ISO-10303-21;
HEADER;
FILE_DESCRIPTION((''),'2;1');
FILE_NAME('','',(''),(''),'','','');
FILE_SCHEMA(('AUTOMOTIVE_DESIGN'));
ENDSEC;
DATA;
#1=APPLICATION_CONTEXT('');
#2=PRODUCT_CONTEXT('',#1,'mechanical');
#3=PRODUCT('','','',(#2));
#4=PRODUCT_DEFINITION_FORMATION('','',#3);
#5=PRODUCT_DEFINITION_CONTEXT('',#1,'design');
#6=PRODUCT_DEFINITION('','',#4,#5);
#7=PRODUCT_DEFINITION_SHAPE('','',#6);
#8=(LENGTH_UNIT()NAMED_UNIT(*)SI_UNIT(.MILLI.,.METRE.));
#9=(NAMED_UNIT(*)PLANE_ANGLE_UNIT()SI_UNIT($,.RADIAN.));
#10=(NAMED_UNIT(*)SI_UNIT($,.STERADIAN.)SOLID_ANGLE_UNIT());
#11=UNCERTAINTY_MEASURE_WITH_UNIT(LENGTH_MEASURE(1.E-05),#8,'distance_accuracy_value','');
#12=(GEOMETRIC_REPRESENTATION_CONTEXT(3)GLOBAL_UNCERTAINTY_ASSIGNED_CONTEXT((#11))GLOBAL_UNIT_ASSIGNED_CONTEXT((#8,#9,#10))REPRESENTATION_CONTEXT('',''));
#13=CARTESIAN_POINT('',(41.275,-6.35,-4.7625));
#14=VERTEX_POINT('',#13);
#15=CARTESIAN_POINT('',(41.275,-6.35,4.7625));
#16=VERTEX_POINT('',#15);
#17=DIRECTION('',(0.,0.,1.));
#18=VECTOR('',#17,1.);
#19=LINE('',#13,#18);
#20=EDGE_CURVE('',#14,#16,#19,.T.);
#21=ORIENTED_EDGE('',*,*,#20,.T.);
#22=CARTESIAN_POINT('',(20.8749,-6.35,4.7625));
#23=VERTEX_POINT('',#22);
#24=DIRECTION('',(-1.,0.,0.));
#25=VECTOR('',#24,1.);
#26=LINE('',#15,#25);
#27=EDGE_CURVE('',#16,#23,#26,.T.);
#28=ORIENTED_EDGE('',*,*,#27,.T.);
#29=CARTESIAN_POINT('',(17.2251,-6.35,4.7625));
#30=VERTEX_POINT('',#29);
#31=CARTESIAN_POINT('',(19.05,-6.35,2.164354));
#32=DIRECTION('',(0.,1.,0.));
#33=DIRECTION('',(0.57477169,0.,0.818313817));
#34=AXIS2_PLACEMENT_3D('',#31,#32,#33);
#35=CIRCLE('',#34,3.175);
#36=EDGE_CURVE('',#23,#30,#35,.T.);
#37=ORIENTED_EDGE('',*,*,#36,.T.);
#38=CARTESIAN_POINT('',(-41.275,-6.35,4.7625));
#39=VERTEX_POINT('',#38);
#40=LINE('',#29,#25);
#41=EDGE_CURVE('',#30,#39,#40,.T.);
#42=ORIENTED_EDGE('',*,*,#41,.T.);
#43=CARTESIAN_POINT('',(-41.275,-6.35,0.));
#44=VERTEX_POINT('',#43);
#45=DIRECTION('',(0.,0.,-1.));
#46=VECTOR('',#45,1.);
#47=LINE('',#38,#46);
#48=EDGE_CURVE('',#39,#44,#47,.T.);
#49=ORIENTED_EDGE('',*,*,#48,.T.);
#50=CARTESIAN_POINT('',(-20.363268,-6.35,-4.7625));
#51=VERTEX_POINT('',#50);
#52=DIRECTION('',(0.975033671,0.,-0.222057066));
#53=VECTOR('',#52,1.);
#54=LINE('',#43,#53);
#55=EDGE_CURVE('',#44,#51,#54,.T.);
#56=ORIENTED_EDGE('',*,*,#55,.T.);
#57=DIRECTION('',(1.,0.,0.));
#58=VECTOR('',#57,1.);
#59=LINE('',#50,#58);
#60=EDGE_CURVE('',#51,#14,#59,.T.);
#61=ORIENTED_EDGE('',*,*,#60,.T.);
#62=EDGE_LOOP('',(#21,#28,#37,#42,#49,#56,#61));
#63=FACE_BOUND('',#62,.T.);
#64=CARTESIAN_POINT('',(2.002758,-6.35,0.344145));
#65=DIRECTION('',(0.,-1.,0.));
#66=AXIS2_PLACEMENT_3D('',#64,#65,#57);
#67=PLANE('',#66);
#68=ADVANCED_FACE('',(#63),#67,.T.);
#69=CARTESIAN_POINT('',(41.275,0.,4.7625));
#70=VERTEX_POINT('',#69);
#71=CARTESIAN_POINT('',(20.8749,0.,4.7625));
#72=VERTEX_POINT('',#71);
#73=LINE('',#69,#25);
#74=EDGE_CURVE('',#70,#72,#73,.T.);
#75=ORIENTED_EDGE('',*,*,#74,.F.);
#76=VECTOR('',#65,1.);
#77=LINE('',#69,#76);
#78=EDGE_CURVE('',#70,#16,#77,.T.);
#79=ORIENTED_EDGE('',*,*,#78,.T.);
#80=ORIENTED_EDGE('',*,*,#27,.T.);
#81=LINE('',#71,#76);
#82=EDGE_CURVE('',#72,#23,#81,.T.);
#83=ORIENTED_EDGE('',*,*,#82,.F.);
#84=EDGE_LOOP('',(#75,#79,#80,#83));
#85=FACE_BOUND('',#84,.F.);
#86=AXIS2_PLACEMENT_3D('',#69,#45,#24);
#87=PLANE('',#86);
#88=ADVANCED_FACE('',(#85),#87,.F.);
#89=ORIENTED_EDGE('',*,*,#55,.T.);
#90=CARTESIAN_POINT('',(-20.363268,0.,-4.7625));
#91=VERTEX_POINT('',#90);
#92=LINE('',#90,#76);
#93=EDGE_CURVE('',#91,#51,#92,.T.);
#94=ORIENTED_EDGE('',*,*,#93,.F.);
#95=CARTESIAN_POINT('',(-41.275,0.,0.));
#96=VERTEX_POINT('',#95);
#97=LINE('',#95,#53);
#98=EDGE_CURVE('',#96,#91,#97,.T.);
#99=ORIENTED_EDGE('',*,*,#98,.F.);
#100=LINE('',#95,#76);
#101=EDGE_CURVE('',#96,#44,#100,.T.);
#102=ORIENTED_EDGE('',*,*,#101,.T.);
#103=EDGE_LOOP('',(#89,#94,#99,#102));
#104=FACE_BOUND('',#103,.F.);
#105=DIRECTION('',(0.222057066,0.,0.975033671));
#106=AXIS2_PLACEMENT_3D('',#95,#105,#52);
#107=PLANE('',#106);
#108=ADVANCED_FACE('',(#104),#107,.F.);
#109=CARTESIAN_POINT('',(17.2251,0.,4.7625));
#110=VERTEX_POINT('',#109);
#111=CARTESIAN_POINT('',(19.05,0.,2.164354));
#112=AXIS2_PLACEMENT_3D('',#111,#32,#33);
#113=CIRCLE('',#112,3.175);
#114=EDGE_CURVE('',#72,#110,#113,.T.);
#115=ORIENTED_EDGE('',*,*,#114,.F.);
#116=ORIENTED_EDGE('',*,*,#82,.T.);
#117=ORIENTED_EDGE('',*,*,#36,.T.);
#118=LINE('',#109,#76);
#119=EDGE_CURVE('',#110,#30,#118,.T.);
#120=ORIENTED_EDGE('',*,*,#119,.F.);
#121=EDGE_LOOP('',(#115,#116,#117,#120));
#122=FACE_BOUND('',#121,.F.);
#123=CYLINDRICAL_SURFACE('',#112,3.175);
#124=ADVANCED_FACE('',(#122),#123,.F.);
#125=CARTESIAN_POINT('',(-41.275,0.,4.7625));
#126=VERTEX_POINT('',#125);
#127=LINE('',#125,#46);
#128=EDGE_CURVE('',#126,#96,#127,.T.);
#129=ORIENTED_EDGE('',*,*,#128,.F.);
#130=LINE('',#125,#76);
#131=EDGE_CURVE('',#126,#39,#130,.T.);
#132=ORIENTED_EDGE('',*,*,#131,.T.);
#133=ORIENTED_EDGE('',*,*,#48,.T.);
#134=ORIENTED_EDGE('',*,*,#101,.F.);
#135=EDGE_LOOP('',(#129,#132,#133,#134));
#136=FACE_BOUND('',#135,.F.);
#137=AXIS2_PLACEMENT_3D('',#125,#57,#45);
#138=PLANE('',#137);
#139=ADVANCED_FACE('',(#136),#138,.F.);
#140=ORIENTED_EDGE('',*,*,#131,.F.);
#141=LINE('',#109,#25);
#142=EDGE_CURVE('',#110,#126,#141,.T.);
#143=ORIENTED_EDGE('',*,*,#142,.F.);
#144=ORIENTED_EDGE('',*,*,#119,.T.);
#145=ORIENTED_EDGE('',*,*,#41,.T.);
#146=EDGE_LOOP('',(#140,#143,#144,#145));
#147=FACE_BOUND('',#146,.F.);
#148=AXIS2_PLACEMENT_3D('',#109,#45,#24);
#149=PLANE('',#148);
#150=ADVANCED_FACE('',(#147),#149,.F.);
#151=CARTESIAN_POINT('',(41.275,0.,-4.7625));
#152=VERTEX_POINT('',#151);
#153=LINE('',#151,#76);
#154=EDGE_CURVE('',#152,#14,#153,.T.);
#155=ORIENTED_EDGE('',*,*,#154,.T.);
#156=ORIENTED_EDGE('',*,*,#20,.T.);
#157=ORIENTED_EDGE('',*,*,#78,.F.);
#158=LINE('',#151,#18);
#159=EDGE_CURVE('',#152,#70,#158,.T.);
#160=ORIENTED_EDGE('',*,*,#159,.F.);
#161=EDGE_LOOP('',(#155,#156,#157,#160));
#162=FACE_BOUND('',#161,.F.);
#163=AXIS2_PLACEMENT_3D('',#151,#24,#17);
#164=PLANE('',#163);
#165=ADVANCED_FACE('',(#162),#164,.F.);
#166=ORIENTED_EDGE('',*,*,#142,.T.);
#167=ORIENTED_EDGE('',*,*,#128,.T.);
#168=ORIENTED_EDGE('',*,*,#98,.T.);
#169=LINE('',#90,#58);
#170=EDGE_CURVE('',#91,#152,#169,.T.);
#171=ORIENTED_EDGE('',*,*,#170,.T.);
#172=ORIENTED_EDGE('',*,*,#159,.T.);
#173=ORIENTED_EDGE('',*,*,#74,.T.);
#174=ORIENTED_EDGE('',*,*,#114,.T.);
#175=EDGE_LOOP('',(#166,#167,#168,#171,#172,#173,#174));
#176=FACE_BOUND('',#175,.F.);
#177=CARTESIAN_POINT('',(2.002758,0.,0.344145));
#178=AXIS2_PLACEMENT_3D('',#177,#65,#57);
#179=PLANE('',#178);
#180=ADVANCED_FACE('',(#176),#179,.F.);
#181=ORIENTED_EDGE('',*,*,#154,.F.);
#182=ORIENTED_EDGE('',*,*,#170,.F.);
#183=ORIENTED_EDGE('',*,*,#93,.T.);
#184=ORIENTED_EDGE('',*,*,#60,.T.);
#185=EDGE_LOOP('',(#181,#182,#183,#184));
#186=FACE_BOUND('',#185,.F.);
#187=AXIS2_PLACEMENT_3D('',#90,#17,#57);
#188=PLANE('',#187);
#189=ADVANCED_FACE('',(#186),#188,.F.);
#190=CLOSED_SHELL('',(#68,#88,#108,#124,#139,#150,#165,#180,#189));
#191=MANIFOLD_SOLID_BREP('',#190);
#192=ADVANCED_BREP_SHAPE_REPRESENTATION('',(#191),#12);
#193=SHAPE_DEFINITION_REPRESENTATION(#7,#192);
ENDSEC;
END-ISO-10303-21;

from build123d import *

# Parameters (mm, degrees)
F1_DEPTH = 6.35


with BuildPart() as f1:
    # F0 (on Front) → F1 (new body)
    with BuildSketch(Plane.XZ):
        with BuildLine():
            Line((17.2251, 4.7625), (-41.275, 4.7625))
            Line((-41.275, 4.7625), (-41.275, 0))
            Line((-41.275, 0), (-20.363268, -4.7625))
            Line((-20.363268, -4.7625), (41.275, -4.7625))
            Line((41.275, -4.7625), (41.275, 4.7625))
            Line((41.275, 4.7625), (20.8749, 4.7625))
            ThreePointArc((20.8749, 4.7625), (19.05, -1.010646), (17.2251, 4.7625))
        make_face()
    extrude(amount=F1_DEPTH)


solid = f1.part
